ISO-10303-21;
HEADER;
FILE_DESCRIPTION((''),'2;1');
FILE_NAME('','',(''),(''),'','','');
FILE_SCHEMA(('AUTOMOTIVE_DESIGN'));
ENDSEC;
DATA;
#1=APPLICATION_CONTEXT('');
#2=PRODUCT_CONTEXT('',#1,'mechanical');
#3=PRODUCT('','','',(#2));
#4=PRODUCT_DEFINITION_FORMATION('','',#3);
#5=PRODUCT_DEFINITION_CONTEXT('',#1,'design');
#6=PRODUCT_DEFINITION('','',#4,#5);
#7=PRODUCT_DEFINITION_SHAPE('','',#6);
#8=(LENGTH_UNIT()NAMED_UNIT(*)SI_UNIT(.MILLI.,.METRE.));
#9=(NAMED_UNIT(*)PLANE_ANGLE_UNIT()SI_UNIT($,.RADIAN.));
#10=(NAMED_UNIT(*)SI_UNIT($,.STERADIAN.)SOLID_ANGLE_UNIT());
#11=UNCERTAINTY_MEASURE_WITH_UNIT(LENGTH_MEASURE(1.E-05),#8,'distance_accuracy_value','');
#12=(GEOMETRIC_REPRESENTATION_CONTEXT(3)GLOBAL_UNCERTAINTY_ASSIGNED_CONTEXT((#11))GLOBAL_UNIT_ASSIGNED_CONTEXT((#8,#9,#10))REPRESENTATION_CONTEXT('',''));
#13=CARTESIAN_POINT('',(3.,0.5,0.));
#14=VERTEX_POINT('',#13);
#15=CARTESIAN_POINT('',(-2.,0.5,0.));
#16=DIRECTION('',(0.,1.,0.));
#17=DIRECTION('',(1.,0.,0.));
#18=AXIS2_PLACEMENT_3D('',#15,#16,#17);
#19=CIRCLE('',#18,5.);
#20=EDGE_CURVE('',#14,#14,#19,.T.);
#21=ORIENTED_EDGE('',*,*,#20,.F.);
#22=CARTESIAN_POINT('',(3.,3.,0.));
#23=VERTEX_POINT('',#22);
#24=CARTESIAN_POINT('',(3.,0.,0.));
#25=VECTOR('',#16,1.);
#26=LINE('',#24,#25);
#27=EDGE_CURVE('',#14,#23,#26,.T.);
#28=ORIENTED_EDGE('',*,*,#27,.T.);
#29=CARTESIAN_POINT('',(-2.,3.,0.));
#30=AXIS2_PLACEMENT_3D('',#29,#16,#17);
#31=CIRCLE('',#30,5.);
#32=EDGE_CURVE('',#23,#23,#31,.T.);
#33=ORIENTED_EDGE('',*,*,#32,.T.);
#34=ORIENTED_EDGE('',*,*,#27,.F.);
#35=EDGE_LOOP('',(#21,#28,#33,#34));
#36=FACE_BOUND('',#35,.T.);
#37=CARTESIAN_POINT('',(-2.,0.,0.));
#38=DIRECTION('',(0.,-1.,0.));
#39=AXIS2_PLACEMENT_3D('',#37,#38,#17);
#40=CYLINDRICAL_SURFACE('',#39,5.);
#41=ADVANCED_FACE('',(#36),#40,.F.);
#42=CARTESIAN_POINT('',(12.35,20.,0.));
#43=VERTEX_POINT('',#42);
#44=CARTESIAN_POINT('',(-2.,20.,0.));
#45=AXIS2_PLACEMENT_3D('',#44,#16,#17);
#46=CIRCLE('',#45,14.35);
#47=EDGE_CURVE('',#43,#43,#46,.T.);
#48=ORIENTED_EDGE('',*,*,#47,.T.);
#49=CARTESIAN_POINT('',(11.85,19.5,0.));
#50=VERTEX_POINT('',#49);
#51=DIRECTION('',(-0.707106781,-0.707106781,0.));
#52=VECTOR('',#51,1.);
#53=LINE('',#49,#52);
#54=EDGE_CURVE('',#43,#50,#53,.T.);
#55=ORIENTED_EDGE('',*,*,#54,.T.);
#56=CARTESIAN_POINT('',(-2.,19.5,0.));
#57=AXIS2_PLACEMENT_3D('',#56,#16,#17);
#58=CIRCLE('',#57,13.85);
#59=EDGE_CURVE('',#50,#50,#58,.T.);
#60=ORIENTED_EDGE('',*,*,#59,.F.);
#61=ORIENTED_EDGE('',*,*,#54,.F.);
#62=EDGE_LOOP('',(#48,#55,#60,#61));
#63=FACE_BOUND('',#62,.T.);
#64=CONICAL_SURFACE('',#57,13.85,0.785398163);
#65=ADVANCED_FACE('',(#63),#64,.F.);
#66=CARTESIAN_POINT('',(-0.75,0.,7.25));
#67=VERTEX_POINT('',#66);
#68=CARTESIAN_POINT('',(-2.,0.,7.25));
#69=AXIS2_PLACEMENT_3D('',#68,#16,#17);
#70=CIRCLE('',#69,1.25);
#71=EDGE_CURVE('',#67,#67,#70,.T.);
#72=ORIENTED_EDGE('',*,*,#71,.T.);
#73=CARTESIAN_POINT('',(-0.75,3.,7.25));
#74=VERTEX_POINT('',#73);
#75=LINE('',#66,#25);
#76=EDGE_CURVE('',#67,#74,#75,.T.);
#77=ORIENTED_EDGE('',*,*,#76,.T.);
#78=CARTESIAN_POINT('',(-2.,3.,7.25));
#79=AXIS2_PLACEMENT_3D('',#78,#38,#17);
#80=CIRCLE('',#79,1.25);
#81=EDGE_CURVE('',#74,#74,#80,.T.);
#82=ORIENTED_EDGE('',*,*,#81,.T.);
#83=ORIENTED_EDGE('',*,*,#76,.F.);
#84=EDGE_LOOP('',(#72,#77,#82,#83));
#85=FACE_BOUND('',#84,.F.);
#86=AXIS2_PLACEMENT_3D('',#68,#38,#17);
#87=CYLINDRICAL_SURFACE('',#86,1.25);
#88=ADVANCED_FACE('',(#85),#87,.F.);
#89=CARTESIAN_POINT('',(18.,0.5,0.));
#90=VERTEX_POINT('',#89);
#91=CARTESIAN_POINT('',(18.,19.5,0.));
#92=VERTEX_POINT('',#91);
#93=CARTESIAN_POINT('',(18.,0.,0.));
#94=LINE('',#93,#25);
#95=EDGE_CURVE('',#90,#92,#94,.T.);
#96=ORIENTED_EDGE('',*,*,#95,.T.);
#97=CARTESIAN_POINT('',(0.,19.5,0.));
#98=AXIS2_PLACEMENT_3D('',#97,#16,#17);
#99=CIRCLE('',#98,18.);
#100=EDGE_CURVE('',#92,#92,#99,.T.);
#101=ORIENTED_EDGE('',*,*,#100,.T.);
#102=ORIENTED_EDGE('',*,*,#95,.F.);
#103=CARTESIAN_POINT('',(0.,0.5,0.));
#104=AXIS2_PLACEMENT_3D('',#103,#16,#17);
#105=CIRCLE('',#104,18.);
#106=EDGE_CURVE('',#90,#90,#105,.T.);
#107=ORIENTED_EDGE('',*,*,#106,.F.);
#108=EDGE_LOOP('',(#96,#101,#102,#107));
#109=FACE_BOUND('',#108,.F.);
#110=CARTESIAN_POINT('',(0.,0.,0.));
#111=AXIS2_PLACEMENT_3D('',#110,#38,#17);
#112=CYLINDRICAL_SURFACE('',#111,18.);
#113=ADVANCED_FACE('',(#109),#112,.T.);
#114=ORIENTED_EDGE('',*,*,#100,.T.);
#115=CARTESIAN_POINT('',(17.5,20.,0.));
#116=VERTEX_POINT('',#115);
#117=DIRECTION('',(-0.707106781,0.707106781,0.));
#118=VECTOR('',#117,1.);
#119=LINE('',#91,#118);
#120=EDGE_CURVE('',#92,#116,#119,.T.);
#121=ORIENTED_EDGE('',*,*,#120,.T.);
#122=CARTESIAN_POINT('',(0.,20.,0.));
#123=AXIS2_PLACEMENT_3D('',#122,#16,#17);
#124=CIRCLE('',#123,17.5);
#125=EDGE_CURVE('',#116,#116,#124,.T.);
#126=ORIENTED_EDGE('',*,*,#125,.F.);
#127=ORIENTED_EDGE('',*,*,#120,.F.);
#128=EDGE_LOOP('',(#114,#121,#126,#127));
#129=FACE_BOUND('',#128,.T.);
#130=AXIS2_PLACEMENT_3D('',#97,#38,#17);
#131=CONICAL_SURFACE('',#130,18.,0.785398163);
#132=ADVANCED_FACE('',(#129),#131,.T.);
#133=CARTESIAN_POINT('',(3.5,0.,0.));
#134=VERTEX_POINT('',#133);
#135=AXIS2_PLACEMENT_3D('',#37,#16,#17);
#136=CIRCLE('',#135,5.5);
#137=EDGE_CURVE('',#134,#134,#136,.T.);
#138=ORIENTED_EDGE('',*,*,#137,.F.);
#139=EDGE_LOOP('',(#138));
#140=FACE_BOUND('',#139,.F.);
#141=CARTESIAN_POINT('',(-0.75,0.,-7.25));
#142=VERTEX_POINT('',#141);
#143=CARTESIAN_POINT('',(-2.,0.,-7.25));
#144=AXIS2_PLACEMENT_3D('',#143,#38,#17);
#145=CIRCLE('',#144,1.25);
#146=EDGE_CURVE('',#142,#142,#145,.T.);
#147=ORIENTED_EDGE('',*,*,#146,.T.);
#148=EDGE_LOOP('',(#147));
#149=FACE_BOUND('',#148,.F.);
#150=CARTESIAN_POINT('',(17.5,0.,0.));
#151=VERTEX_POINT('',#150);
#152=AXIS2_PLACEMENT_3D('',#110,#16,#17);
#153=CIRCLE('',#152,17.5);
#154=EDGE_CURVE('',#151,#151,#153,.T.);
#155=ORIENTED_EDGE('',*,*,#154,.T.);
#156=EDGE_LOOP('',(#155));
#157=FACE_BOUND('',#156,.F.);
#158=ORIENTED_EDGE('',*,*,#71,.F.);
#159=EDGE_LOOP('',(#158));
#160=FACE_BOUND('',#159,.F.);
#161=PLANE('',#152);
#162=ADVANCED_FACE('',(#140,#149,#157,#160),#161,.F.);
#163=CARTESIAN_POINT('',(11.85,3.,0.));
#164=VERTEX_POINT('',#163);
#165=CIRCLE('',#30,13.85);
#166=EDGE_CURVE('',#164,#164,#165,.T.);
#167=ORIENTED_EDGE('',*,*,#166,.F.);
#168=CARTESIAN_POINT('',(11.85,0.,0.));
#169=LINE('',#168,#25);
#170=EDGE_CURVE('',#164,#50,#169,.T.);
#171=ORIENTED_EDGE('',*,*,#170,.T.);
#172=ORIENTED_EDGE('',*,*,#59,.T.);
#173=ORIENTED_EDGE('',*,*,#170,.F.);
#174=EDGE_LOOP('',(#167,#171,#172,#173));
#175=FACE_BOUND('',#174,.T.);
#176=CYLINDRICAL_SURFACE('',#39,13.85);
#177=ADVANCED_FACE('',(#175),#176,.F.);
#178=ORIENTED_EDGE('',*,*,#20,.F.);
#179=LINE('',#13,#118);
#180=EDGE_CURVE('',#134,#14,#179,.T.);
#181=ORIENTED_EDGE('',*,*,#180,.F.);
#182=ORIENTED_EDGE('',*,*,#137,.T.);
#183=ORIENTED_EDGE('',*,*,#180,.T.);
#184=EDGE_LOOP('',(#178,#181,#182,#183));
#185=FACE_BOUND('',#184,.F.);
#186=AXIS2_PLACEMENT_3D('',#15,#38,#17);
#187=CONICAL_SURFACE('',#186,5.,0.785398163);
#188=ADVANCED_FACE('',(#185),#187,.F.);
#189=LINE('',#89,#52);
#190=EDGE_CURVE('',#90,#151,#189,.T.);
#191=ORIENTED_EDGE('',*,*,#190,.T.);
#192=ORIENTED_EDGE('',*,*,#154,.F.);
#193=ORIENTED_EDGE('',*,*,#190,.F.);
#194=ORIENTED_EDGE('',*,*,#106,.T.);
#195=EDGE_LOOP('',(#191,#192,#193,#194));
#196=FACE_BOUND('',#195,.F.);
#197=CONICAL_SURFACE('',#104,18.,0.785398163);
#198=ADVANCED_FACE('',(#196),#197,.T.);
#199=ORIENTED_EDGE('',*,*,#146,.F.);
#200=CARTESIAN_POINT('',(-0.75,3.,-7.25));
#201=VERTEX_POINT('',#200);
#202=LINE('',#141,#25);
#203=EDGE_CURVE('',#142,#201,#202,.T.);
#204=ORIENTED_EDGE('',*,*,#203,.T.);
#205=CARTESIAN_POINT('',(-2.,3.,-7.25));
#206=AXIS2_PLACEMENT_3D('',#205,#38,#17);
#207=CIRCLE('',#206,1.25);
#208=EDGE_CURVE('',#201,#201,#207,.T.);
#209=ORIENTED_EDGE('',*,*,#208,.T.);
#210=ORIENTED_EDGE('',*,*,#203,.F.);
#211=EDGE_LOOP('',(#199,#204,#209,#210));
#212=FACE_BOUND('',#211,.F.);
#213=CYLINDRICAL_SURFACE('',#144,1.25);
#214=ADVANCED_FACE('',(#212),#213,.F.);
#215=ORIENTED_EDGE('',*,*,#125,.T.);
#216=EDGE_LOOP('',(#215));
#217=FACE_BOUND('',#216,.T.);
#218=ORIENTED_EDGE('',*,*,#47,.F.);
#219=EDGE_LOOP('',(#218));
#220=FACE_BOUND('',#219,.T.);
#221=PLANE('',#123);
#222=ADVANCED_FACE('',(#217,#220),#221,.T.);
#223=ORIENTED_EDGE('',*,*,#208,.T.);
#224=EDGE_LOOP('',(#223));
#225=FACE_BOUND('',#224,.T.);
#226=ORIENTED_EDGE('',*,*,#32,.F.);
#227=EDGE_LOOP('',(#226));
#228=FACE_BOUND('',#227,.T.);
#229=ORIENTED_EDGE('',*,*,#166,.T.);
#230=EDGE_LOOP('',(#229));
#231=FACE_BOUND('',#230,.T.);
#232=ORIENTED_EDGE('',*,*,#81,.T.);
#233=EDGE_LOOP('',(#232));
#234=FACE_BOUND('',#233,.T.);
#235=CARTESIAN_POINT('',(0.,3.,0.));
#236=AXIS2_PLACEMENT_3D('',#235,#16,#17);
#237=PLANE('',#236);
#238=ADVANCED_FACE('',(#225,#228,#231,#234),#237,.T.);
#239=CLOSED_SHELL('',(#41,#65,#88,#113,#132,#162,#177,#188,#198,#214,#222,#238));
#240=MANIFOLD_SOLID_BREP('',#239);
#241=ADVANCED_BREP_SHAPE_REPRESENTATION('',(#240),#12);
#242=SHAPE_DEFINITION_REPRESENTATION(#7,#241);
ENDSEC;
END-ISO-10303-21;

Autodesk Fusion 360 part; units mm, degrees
sketch "スケッチ1" plane through (0, 0, 0) normal (0, 1, 0) x (1, 0, 0)
  circle A0 centre (0, 0) radius 18
  circle A1 centre (-2, 0) radius 13.85
  dimension "d5" = 27.7
extrude "押し出し2" add sketch "スケッチ1" along normal blind 20
sketch "スケッチ2" plane through (0, 0, 0) normal (0, 1, 0) x (1, 0, 0)
  circle A0 centre (-2, 0) radius 13.85
  circle A1 centre (-2, 0) radius 5
  dimension "d8" = 27.7
  dimension "d11" = 10
extrude "押し出し4" add sketch "スケッチ2" along normal blind 3
sketch "スケッチ3" plane through (0, 0, 0) normal (0, -1, 0) x (1, 0, 0)
  circle A0 centre (-2, 0) radius 5
  circle A1 centre (0, 0) radius 18
  circle A2 centre (-2, -7.25) radius 1.25
  line L0 (-2, 0) -> (-2, 7.25)
  circle A3 centre (-2, 7.25) radius 1.25
  point P0 (-2, 0)
  dimension "d14" = 7.25
  dimension "d15" = 2.5
  dimension "d16" = 7.25
  dimension "d17" = 2.5
extrude "押し出し5" cut sketch "スケッチ3" against normal blind 3 contours A3 | A2
chamfer "面取り1" distance 0.5 angle 45 2 edges at (-16.7819, 0, 6.5091) (-6.6616, 0, -1.8081)
chamfer "面取り2" distance 0.5 angle 45 2 edges at (-16.7819, 20, 6.5091) (-14.9127, 20, -5.0084)
sketch "スケッチ4" plane through (0, 0, 0) normal (0, 1, 0) x (1, 0, 0)
